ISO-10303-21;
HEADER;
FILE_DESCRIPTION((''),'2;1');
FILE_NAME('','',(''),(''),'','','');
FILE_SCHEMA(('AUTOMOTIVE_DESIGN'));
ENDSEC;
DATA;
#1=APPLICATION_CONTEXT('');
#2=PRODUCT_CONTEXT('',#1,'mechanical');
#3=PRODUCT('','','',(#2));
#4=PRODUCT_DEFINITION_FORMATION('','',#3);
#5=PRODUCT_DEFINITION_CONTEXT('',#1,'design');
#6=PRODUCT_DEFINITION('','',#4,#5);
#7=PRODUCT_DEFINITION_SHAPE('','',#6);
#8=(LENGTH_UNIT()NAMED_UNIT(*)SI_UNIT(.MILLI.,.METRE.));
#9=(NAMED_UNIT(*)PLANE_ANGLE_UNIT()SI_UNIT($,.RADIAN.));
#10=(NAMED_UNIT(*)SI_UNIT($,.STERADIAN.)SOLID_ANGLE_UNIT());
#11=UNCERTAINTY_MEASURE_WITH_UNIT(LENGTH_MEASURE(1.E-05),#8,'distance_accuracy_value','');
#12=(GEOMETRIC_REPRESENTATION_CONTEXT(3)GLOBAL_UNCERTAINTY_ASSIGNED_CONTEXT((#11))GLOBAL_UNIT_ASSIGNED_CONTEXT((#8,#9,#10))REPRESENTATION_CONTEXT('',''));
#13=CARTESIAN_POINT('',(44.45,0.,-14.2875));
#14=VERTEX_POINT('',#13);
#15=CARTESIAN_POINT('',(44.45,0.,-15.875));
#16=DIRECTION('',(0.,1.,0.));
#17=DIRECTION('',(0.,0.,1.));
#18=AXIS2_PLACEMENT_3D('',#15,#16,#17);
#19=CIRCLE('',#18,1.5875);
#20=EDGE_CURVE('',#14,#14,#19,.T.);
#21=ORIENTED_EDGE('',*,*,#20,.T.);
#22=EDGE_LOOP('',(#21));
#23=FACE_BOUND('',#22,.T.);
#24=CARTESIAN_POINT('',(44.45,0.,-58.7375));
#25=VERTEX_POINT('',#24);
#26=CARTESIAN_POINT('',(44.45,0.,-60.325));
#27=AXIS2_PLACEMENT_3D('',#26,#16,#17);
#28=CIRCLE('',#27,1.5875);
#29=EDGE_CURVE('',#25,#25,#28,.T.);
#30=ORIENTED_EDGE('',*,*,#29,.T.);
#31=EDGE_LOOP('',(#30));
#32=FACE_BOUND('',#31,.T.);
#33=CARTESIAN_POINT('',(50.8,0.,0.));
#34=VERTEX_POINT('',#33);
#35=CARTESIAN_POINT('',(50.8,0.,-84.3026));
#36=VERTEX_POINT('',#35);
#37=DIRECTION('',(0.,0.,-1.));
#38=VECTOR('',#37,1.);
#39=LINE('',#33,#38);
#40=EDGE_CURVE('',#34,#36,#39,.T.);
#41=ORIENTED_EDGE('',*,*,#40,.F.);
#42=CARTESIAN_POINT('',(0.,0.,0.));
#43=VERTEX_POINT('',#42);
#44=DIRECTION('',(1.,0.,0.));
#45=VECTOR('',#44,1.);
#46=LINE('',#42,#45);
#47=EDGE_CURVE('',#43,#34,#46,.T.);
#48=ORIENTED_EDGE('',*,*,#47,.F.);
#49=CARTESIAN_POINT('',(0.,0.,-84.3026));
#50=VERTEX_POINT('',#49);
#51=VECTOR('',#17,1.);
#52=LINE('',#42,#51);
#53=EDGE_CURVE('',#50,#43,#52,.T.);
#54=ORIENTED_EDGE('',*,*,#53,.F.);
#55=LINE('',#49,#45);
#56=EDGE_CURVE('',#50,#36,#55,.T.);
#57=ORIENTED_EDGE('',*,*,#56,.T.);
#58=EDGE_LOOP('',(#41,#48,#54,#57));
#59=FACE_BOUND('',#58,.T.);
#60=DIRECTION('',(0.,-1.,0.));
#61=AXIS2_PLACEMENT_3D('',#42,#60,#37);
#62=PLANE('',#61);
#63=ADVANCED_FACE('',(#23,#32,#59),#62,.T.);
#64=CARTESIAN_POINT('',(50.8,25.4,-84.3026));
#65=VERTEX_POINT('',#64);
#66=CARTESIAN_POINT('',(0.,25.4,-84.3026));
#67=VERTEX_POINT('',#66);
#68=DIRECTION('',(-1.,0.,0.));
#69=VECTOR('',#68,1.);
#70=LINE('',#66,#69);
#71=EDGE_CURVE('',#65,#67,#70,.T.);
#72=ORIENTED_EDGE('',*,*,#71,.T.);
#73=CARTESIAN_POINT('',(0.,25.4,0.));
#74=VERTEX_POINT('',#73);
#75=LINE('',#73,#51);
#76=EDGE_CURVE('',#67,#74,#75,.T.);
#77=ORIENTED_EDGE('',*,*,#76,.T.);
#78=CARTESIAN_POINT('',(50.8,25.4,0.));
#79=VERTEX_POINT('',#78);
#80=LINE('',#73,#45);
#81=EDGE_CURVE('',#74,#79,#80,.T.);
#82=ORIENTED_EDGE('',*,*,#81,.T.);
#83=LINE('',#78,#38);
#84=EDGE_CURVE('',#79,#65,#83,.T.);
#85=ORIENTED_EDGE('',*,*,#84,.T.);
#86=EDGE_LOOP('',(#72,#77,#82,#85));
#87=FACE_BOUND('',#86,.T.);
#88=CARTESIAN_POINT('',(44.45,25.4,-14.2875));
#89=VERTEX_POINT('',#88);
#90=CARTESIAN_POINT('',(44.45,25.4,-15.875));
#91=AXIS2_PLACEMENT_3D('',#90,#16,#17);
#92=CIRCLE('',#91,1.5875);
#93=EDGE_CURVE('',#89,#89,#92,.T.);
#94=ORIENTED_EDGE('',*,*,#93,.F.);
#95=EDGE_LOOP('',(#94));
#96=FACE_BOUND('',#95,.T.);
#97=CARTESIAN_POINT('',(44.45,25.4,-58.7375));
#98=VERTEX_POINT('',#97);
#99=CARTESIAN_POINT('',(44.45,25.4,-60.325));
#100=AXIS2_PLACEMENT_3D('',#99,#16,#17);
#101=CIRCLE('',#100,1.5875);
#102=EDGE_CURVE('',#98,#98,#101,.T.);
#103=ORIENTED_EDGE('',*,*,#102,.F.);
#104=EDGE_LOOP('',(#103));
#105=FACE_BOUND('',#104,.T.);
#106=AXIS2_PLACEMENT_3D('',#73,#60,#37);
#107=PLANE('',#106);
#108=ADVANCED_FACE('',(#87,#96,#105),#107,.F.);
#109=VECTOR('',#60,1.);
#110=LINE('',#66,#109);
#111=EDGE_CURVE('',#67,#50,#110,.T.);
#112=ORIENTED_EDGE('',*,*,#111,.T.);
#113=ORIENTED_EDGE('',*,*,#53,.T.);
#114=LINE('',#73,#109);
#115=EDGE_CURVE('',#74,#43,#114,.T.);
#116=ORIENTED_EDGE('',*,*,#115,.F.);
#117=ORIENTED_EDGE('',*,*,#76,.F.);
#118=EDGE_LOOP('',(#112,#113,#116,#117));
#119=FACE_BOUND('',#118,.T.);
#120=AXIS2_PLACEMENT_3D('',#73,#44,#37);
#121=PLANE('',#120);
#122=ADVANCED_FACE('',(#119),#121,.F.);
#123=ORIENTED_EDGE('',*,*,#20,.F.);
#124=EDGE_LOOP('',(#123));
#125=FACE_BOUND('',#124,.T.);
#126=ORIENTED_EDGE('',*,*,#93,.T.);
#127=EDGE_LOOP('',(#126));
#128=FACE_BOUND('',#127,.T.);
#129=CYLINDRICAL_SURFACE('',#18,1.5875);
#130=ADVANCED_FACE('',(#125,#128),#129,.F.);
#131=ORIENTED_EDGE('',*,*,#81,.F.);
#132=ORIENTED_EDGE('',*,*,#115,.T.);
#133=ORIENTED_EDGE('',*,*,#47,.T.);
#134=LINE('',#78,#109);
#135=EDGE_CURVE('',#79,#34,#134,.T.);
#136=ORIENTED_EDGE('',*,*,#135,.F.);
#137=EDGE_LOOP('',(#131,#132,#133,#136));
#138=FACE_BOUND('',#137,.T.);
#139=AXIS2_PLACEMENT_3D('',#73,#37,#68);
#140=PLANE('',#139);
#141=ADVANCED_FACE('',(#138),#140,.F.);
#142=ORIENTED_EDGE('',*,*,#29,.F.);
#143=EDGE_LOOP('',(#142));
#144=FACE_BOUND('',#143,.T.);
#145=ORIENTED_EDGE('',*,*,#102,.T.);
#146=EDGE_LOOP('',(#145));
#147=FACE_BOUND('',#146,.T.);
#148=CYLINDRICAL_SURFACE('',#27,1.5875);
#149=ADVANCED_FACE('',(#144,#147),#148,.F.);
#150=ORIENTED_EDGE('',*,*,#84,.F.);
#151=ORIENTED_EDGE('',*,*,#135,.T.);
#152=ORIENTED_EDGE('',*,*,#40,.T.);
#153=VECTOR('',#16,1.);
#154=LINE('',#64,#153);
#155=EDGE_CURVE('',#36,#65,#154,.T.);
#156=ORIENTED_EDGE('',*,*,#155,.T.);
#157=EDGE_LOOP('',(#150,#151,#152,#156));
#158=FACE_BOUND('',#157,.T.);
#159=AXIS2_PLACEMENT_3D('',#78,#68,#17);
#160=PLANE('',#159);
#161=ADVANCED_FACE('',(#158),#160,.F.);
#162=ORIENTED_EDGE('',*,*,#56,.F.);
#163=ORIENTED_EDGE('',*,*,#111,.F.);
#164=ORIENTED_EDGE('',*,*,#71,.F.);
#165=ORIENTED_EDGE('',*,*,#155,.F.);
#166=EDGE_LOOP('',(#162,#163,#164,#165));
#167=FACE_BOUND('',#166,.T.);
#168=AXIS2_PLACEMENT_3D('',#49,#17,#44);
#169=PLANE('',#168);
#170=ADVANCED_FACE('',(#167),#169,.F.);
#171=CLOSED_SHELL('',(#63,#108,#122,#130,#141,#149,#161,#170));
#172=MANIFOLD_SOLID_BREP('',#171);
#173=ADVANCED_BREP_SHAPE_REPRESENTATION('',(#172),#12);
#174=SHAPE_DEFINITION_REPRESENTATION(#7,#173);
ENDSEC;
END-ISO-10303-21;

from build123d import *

# Parameters (mm, degrees)
SKETCH1_W           = 50.8
SKETCH1_H           = 76.2
BOSS_EXTRUDE1_DEPTH = 25.4
SKETCH2_R           = 1.5875
CUT_EXTRUDE1_DEPTH  = 96.038097624
SKETCH3_W           = 50.8
SKETCH3_H           = 25.4
BOSS_EXTRUDE2_DEPTH = 8.1026


with BuildPart() as part:
    # Sketch1 → Boss-Extrude1 (new body)
    with BuildSketch(Plane(origin=(0, 0, 0), x_dir=(1, 0, 0), z_dir=(0, 1, 0))):
        with Locations((25.4, 38.1)):
            Rectangle(SKETCH1_W, SKETCH1_H)
    extrude(amount=BOSS_EXTRUDE1_DEPTH)

    # Sketch2 → Cut-Extrude1 (cut, through all)
    with BuildSketch(Plane(origin=(0, 25.4, 0), x_dir=(1, 0, 0), z_dir=(0, 1, 0))):
        with Locations(Location((44.45, 60.325, 0), (0, 0, 270))):
            Circle(SKETCH2_R)
        with Locations(Location((44.45, 15.875, 0), (0, 0, 270))):
            Circle(SKETCH2_R)
    extrude(amount=-CUT_EXTRUDE1_DEPTH, mode=Mode.SUBTRACT)

    # Sketch3 → Boss-Extrude2 (add)
    with BuildSketch(Plane.XY.offset(-76.2)):
        with Locations((25.4, 12.7)):
            Rectangle(SKETCH3_W, SKETCH3_H)
    extrude(amount=-BOSS_EXTRUDE2_DEPTH)


solid = part.part
